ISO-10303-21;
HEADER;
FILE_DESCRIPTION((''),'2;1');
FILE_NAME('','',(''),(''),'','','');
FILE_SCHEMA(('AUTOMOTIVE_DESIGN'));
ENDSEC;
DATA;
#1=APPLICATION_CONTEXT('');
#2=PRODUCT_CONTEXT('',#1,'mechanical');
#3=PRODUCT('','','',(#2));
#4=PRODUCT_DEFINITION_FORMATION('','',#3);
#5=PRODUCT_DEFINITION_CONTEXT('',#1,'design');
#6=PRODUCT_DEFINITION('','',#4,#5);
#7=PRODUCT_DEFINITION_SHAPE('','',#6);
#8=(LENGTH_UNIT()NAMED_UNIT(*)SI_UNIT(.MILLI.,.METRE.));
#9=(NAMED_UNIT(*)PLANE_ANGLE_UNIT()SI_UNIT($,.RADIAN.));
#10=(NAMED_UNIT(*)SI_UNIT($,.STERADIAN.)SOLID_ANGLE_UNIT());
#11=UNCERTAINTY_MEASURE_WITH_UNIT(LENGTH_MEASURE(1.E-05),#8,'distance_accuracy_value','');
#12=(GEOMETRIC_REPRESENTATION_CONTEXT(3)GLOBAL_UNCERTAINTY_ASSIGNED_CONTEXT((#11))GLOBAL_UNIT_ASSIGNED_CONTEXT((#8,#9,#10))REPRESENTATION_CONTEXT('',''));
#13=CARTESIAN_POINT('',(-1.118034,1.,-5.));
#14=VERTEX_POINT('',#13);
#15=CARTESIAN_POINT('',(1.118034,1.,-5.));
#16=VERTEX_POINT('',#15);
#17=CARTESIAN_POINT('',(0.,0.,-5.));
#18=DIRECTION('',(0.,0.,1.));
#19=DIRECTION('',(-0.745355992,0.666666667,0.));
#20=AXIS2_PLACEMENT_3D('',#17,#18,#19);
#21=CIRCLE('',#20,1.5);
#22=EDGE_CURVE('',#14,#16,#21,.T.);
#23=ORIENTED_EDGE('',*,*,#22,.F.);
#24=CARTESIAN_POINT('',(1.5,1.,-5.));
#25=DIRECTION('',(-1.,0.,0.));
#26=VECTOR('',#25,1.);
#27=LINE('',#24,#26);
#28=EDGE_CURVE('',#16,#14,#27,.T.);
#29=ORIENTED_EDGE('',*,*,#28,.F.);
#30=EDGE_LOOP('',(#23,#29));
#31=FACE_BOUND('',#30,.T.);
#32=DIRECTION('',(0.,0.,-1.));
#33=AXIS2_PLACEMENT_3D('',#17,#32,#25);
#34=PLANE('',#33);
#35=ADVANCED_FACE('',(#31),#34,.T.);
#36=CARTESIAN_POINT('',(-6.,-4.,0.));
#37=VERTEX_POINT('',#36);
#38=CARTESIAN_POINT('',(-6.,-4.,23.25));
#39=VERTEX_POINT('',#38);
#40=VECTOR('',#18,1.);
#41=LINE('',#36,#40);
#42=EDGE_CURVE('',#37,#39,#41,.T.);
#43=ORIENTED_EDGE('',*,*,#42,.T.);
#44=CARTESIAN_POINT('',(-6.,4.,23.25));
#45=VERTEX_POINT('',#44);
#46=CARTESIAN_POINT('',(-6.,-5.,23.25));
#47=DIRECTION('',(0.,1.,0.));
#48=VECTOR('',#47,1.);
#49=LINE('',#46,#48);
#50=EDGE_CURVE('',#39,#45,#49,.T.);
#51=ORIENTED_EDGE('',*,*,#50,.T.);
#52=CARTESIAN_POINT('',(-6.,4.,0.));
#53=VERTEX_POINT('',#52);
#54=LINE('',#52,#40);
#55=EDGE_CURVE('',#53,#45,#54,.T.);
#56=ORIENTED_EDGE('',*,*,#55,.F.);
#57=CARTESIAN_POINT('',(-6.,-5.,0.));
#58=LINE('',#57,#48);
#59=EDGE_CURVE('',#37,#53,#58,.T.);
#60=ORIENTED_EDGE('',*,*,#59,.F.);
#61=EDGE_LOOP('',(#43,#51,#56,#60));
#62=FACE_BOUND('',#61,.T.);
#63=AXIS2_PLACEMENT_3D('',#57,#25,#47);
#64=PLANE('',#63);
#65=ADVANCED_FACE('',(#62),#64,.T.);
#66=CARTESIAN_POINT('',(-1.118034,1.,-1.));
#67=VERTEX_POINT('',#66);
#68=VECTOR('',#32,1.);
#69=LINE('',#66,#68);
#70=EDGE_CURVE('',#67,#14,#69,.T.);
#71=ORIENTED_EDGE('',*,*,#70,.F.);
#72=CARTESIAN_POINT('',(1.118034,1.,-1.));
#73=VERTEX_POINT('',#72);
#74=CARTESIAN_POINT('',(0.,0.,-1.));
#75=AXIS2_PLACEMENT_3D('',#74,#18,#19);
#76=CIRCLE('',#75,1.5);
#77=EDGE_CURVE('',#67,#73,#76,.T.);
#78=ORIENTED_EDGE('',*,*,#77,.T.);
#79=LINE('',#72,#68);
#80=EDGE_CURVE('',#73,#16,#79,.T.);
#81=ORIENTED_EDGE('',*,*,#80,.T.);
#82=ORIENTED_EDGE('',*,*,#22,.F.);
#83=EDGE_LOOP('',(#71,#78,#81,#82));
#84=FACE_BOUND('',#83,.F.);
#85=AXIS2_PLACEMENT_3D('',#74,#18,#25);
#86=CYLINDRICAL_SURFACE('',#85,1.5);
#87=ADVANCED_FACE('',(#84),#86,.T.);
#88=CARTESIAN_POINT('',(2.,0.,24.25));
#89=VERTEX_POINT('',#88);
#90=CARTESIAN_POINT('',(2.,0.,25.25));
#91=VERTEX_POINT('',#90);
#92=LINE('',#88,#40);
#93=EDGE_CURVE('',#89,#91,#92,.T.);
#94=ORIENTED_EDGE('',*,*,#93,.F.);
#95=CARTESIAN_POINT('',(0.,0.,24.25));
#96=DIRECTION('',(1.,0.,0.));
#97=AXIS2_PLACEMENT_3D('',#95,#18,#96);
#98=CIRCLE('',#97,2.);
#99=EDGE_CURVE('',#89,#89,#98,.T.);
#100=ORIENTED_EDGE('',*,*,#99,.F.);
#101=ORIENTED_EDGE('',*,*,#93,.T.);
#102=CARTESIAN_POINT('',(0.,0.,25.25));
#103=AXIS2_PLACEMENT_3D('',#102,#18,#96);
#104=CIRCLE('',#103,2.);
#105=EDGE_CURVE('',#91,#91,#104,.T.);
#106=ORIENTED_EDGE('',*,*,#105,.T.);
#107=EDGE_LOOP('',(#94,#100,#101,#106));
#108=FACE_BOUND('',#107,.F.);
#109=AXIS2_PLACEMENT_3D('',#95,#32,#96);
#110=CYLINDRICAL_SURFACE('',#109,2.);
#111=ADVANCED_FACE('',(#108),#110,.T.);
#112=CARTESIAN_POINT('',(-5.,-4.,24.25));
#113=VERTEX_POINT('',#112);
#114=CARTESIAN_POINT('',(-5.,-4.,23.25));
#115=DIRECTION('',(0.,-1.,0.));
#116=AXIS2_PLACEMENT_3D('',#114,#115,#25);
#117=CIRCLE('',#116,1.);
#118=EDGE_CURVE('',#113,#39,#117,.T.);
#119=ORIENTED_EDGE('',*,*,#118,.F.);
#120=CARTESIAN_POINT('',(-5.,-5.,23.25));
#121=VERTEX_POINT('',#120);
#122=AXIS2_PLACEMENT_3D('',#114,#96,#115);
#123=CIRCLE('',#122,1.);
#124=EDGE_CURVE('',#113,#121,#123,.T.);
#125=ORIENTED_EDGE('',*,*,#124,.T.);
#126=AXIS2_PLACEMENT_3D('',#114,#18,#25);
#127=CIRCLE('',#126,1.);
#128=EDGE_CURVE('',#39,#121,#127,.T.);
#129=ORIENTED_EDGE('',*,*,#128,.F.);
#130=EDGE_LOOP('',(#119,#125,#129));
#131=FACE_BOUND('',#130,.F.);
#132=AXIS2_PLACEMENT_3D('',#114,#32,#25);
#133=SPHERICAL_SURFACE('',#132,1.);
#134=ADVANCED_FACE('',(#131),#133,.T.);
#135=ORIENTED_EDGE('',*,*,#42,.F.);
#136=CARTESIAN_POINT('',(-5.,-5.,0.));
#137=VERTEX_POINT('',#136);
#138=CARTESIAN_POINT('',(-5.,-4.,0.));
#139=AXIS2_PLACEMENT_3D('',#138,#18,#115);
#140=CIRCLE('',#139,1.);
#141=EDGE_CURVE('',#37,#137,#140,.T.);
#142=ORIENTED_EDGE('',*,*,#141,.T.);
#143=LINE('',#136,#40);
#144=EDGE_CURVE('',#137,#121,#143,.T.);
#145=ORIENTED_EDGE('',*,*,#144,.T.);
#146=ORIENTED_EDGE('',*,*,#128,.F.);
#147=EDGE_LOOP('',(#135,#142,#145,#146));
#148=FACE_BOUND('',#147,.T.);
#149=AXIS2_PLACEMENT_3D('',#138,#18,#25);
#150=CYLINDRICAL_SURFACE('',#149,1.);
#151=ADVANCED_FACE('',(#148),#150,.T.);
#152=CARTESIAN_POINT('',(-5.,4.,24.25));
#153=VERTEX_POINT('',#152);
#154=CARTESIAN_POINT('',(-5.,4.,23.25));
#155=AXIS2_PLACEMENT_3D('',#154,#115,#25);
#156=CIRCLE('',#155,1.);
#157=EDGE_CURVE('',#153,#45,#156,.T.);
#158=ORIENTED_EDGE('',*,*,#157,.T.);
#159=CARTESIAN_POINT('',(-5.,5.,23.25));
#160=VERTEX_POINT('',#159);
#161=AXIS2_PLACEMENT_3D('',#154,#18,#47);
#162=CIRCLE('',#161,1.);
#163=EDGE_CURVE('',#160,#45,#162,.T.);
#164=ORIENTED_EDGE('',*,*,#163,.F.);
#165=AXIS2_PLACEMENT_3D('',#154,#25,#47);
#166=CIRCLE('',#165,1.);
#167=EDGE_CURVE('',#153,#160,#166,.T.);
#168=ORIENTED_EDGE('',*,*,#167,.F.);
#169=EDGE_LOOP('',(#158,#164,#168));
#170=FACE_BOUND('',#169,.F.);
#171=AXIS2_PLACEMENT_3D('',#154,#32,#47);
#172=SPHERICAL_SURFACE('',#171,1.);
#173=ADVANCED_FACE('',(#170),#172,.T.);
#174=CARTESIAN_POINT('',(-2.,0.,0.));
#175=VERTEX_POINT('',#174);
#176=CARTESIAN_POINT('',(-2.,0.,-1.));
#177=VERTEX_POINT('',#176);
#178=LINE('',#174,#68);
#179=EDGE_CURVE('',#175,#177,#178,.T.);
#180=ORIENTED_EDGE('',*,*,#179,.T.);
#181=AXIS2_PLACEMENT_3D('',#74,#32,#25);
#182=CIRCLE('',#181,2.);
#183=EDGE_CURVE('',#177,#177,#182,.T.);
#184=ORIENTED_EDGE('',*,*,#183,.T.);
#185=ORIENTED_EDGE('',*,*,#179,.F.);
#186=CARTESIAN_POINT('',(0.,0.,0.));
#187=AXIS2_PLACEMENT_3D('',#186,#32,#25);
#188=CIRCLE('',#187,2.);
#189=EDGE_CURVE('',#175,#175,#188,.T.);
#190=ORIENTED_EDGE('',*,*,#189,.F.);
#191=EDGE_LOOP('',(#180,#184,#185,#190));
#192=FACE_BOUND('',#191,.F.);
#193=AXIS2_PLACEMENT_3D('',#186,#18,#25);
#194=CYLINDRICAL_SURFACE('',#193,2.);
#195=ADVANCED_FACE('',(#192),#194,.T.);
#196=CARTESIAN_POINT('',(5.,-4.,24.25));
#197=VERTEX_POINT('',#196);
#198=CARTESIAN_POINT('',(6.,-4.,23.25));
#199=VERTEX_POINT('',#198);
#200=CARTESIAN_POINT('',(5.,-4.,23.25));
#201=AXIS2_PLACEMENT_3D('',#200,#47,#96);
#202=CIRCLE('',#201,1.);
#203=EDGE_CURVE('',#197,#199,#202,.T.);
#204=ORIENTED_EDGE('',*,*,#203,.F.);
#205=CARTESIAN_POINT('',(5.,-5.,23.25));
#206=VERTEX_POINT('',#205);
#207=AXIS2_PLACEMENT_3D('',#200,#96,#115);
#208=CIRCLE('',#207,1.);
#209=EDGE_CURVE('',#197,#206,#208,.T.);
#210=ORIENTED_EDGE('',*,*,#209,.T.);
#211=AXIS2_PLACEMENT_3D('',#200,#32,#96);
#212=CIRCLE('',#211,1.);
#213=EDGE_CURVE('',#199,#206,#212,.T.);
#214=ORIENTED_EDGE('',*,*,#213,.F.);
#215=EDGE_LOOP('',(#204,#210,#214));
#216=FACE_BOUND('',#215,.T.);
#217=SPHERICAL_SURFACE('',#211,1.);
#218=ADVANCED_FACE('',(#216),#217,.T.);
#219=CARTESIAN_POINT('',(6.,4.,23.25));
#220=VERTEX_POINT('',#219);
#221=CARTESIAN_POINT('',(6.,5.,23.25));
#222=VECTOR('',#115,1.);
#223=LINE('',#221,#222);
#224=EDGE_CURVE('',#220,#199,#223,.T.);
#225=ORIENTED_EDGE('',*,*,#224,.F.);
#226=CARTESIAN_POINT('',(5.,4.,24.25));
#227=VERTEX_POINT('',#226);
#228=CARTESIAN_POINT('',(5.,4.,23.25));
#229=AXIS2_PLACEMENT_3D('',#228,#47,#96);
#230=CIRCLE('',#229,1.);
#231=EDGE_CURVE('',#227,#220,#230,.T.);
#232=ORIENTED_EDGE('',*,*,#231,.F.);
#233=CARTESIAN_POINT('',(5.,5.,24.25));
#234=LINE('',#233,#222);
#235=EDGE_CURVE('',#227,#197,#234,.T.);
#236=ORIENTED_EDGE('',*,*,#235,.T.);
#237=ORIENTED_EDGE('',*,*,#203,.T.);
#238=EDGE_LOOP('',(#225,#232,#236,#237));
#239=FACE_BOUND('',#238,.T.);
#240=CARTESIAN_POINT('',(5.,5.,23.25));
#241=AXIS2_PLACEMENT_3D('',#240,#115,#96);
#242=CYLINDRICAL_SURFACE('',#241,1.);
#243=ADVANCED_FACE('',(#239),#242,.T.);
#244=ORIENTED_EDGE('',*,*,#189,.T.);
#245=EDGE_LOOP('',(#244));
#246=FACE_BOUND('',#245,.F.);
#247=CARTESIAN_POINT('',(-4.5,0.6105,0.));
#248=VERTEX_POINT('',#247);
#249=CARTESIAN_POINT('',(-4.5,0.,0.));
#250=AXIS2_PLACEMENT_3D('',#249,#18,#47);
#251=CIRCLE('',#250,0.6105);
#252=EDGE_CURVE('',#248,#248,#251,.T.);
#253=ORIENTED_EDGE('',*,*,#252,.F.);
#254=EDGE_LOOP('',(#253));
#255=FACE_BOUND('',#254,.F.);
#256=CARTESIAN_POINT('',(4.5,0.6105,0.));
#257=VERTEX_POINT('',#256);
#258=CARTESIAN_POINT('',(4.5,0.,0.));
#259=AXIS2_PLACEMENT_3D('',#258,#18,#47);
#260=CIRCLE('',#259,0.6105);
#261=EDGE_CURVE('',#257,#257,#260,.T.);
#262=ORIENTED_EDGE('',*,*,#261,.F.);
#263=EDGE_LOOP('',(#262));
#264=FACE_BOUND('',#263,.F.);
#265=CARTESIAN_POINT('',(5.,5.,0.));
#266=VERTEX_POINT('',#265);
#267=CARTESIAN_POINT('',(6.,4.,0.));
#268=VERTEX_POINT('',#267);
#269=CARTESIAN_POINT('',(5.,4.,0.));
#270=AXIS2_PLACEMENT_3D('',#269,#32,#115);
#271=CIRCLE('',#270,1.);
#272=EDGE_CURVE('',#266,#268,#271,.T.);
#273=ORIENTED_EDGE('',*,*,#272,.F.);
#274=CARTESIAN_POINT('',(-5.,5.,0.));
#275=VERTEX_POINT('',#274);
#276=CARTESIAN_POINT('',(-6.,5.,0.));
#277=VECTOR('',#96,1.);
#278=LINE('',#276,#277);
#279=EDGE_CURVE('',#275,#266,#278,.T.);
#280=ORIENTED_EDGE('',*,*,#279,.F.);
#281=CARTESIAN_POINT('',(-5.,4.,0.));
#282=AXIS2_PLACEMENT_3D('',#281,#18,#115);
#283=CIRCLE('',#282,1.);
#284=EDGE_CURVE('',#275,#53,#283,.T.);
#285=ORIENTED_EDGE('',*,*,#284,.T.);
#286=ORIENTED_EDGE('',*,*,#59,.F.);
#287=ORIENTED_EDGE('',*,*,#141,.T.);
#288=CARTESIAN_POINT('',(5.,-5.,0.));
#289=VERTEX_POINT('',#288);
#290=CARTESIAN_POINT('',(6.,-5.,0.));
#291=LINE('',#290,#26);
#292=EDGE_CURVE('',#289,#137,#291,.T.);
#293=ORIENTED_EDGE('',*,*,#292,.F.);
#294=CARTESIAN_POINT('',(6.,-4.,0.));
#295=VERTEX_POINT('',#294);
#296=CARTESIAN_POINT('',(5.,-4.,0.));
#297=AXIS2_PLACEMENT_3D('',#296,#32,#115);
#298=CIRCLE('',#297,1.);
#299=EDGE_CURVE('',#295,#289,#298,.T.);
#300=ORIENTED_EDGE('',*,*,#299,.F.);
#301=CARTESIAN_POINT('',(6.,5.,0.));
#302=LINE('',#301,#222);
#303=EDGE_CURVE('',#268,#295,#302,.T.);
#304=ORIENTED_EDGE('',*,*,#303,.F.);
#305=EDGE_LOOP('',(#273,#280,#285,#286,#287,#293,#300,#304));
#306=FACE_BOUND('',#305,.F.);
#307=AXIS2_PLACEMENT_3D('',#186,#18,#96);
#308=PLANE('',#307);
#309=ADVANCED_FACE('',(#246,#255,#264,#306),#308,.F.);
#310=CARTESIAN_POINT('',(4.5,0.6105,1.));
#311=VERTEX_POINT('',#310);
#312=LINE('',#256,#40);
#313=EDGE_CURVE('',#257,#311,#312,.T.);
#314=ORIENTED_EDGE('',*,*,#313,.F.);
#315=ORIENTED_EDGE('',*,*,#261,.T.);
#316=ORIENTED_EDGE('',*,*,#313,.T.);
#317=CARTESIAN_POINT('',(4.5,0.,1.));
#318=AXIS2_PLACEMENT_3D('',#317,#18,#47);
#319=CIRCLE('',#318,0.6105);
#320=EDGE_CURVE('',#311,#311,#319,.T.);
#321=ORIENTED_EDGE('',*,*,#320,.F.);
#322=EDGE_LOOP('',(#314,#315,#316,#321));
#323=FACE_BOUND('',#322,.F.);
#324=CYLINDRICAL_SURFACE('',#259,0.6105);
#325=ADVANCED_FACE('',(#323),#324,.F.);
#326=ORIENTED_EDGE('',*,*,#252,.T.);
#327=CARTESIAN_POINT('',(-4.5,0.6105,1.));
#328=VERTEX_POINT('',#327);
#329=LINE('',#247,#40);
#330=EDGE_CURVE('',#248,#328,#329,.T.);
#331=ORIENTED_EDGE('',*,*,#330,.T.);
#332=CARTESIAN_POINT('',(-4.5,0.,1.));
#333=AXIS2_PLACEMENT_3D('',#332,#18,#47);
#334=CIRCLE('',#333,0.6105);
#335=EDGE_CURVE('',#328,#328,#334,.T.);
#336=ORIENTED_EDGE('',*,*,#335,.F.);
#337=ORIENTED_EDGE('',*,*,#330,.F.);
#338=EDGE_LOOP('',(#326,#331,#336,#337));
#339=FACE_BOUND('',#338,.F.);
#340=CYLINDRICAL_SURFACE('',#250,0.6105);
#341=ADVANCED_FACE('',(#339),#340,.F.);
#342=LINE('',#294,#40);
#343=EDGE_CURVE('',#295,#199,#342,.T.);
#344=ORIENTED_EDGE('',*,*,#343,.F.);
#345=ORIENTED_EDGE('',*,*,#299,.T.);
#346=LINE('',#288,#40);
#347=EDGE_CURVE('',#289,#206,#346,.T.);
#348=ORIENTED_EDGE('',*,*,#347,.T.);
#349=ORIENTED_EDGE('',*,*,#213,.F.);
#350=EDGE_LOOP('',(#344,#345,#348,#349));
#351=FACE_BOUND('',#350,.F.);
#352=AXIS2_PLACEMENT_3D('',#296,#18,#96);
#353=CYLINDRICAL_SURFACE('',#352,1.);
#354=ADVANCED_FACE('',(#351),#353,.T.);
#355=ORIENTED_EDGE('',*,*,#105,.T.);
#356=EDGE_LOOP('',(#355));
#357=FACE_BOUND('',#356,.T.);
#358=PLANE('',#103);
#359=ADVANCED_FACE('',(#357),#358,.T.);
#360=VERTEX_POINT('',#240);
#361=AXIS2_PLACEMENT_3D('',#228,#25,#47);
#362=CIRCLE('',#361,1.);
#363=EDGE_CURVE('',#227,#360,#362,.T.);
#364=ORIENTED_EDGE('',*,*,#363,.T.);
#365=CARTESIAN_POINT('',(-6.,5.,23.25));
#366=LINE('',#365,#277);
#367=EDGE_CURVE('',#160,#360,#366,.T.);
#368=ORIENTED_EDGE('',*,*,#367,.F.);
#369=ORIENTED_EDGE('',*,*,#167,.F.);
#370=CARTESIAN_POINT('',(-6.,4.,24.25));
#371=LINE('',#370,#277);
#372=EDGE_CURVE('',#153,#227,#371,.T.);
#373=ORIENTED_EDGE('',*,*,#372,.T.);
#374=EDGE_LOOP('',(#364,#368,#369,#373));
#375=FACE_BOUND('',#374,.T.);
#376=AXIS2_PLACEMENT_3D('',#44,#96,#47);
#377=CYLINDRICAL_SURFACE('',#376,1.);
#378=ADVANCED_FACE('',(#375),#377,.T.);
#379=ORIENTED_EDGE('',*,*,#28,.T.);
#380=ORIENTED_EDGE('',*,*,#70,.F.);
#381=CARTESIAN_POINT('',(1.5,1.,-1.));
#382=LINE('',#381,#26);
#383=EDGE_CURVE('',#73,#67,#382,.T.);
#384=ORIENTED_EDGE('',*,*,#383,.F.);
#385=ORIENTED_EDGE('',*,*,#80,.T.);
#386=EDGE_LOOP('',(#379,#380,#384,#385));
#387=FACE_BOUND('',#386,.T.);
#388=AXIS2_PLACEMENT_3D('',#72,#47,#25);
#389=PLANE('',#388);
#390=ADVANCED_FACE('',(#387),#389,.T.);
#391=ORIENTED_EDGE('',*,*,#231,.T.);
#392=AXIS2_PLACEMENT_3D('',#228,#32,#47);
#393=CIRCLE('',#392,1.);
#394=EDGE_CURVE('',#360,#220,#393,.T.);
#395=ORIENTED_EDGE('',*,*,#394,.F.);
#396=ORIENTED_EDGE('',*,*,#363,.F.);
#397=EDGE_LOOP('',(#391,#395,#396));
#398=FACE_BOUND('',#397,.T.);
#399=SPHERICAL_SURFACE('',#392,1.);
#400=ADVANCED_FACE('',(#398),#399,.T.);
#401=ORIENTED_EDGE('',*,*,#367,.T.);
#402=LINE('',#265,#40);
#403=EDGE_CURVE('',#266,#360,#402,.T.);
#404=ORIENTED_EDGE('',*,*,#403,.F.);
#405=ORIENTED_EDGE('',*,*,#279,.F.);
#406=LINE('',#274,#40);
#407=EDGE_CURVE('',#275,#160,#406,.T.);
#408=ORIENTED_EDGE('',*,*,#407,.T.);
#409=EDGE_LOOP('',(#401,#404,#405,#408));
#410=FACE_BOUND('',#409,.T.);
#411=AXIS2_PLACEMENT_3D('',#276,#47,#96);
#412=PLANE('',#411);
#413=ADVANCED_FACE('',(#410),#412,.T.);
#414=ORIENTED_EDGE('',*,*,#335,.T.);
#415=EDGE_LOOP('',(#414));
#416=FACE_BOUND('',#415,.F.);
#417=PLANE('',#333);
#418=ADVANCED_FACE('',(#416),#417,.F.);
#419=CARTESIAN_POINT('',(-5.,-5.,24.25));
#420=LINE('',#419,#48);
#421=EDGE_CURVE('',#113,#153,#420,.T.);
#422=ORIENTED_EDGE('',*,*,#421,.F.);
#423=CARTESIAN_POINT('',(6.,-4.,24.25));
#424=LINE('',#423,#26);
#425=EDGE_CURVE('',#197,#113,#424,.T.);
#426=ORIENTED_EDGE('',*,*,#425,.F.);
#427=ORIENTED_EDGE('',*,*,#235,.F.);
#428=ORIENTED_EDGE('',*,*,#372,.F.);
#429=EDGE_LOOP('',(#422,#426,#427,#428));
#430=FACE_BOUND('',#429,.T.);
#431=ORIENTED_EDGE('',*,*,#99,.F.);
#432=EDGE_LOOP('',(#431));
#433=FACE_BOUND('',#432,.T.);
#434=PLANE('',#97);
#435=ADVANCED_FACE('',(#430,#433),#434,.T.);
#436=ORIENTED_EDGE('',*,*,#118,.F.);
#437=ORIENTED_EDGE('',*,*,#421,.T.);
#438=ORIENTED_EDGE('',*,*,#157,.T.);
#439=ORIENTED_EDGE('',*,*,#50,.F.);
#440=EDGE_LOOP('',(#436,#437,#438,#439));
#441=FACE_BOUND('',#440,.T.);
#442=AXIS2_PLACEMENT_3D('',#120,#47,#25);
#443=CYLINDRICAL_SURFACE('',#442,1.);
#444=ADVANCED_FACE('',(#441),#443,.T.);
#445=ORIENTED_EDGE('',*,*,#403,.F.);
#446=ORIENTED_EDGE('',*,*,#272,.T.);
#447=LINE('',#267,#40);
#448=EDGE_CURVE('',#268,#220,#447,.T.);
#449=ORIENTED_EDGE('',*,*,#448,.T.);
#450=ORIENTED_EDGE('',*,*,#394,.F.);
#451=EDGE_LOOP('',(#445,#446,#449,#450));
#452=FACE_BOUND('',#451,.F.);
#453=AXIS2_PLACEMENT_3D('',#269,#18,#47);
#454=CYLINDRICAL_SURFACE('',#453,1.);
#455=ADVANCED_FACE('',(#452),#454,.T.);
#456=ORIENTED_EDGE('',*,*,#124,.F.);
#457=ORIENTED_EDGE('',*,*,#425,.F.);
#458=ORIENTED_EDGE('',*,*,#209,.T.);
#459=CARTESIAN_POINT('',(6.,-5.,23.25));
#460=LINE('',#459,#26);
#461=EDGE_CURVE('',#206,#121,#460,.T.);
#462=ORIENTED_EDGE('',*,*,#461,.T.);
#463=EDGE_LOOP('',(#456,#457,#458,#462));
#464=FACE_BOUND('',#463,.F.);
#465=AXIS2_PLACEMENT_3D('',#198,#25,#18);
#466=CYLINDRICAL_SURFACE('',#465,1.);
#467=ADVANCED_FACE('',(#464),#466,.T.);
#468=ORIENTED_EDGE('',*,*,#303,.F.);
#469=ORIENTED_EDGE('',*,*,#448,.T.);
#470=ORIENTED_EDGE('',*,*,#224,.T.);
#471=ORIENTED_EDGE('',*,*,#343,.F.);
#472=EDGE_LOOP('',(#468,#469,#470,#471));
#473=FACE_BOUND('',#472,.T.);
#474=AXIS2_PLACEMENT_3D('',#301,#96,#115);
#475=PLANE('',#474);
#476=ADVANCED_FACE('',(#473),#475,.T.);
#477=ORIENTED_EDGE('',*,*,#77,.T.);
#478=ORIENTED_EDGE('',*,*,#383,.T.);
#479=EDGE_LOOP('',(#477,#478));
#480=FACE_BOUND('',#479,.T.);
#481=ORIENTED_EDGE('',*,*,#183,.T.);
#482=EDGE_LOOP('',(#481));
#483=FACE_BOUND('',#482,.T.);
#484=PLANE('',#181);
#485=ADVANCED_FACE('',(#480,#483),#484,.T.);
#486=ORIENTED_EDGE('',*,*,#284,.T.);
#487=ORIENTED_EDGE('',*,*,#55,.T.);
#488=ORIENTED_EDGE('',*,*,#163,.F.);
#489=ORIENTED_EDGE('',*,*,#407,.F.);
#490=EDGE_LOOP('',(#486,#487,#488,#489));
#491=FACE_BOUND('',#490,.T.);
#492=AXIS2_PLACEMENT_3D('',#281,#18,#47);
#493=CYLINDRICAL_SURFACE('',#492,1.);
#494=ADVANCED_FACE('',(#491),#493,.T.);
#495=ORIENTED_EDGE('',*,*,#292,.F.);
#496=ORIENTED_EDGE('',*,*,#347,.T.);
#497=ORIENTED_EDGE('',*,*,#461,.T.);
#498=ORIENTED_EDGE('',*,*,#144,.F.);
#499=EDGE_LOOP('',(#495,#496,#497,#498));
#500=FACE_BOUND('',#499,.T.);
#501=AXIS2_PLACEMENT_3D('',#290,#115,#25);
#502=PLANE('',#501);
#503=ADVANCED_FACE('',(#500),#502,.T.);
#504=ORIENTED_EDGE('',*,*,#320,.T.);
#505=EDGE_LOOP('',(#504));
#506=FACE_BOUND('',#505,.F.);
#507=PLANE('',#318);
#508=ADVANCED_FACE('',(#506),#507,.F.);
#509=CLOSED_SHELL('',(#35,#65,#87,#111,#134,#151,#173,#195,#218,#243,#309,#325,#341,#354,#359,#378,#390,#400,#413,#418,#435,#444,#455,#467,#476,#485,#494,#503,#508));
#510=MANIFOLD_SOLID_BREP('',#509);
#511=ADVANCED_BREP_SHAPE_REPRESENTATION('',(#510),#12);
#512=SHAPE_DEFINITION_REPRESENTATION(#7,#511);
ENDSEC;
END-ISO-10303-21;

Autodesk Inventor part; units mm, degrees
ref_plane "YZ Plane" through (0, 0, 0) normal (1, 0, 0) x (0, 1, 0)
ref_plane "XZ Plane" through (0, 0, 0) normal (0, 1, 0) x (-1, 0, 0)
ref_plane "XY Plane" through (0, 0, 0) normal (0, 0, 1) x (1, 0, 0)
sketch "Sketch1" plane through (0, 0, 0) normal (0, 0, 1) x (1, 0, 0)
  line L0 (-6, 5) -> (6, 5)
  line L1 (6, 5) -> (6, -5)
  line L2 (6, -5) -> (-6, -5)
  line L3 (-6, -5) -> (-6, 5)
  line L4 (-6, 5) -> (6, -5) construction
  line L5 (6, 5) -> (-6, -5) construction
  point P0 (0, 0)
  dimension "d0" = 12
  dimension "d1" = 10
extrude "Extrusion1" add sketch "Sketch1" along normal blind 24.25
sketch "Sketch2" plane through (0, 0, 24.25) normal (0, 0, 1) x (1, 0, 0)
  circle A0 centre (0, 0) radius 2
  dimension "d4" = 4
extrude "Extrusion2" add sketch "Sketch2" along normal blind 1
sketch "Sketch3" plane through (0, 0, 0) normal (0, 0, -1) x (-1, 0, 0)
  circle A0 centre (0, 0) radius 2
  dimension "d7" = 4
extrude "Extrusion3" add sketch "Sketch3" along normal blind 1
sketch "Sketch4" plane through (0, 0, -1) normal (0, 0, -1) x (-1, 0, 0)
  circle A0 centre (0, 0) radius 1.5
  line L0 (-1.5, 1) -> (1.5, 1)
  line L1 (1.5, 1) -> (1.5, -1.5)
  line L2 (1.5, -1.5) -> (-1.5, -1.5)
  line L3 (-1.5, -1.5) -> (-1.5, 1)
  point P0 (1.118, 1)
  point P1 (-1.118, 1)
  dimension "d10" = 3
  dimension "d11" = 2.5
extrude "Extrusion4" add sketch "Sketch4" along normal blind 4 contours A0 L0 picked at (-0.0419, 0.0796)
fillet "Fillet1" radius 1 8 edges at (6, 5, 12.125) (-6, 5, 12.125) (6, -5, 12.125) (-6, -5, 12.125) (0, 5, 24.25) (6, 0, 24.25) (-6, 0, 24.25) (0, -5, 24.25)
sketch "Sketch5" plane through (0, 0, 0) normal (0, 0, -1) x (-1, 0, 0)
  arc A0 (5, -5) -> (6, -4) centre (5, -4) ccw projected
  line L0 (6, 4) -> (6, -4) projected
  arc A1 (6, 4) -> (5, 5) centre (5, 4) ccw projected
  line L1 (-5, 5) -> (5, 5) projected
  arc A2 (-5, 5) -> (-6, 4) centre (-5, 4) ccw projected
  line L2 (-6, -4) -> (-6, 4) projected
  arc A3 (-6, -4) -> (-5, -5) centre (-5, -4) ccw projected
  line L3 (5, -5) -> (-5, -5) projected
  circle A4 centre (0, 0) radius 2 projected
  point P0 (-4.5, 0)
  point P1 (4.5, 0)
  dimension "d15" = 4.5
  dimension "d16" = 4.5
hole "Hole1" at (4.5, 0, 0) at (-4.5, 0, 0) direction (0, 0, 1) diameter 1.221 depth 1 thread size "M1.6x0.35" class "6H" standard "ISO Metric profile"
equation "\"d16\" = d15"
properties part number "1800rpm Brushed Motor"
